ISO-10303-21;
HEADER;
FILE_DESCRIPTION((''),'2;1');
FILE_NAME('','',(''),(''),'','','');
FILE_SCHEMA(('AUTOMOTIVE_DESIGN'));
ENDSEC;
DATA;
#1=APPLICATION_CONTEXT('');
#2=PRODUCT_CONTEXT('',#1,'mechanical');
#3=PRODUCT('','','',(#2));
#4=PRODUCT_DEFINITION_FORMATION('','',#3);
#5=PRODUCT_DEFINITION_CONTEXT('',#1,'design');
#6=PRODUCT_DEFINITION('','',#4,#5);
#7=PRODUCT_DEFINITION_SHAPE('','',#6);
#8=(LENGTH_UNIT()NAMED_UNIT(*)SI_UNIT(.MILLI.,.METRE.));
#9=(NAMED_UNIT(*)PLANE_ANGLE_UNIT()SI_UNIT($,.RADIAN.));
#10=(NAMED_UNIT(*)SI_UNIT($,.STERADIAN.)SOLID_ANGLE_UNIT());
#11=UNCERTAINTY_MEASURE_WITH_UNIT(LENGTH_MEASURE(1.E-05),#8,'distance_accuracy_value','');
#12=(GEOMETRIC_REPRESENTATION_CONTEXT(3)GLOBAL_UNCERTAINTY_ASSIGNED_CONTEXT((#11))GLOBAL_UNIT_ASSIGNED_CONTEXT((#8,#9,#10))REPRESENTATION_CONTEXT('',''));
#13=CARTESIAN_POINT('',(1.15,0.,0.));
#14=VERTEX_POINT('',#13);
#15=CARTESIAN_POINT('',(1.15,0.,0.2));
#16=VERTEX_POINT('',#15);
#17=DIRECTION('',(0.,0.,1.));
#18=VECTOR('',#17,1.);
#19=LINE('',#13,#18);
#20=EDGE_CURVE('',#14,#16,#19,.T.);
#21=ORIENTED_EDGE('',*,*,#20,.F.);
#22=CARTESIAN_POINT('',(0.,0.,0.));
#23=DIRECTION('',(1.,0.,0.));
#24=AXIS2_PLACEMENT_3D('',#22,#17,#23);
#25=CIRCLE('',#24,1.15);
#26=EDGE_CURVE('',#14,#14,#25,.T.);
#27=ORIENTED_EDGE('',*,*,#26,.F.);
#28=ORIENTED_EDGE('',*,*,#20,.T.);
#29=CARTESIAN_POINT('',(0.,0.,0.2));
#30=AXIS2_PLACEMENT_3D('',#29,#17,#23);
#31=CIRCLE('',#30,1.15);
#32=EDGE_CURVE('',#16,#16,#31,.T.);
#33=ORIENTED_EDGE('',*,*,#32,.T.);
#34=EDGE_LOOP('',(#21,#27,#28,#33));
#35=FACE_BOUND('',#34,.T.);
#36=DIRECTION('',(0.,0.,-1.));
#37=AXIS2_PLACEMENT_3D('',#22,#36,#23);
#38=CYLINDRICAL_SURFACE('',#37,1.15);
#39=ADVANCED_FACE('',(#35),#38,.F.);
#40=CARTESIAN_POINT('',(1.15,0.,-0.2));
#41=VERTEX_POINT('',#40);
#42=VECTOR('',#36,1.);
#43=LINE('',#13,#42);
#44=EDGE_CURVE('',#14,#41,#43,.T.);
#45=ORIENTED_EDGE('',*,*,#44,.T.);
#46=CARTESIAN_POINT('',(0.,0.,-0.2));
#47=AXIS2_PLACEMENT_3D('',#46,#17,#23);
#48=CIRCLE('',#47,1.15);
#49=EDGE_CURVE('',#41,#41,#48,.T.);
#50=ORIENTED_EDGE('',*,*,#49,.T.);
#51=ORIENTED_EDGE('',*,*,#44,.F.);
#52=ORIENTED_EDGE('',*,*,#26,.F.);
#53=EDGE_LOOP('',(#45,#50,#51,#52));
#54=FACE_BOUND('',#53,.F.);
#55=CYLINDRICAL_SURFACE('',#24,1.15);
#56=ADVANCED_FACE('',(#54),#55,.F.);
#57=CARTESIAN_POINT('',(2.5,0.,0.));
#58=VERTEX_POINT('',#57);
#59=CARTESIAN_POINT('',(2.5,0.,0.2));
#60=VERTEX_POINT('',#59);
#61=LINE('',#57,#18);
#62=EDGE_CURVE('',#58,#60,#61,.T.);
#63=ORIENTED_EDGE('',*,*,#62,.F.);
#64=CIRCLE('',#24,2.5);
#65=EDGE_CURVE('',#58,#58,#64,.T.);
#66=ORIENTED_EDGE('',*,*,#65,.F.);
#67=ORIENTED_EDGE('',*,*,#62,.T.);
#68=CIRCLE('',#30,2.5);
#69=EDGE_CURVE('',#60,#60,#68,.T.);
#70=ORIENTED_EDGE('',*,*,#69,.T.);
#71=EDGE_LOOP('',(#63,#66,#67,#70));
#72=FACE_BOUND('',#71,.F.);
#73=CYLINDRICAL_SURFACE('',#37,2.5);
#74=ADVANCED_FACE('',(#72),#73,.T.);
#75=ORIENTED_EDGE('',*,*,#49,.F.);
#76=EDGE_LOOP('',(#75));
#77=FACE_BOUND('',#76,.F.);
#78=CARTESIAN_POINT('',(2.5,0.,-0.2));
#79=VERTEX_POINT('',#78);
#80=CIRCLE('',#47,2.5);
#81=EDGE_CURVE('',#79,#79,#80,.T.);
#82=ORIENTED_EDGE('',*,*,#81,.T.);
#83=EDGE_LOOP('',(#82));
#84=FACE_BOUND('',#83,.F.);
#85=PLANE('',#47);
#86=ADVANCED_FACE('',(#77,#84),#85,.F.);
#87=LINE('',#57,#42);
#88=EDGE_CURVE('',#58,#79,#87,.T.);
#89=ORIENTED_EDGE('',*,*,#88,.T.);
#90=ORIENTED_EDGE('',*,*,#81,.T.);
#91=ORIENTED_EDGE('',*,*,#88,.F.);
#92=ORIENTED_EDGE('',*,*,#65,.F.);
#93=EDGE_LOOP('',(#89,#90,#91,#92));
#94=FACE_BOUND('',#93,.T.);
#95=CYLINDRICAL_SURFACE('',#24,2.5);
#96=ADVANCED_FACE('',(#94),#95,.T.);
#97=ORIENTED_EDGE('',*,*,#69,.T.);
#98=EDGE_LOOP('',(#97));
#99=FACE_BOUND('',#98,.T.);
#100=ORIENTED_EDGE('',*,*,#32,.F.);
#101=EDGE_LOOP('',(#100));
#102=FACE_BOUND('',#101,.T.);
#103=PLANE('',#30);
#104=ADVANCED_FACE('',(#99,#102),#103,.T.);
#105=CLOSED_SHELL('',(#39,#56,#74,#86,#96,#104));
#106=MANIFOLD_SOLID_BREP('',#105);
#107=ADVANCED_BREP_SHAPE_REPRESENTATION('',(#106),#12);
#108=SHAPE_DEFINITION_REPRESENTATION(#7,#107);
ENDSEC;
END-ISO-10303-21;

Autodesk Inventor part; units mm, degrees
ref_plane "YZ Plane" through (0, 0, 0) normal (1, 0, 0) x (0, 1, 0)
ref_plane "XZ Plane" through (0, 0, 0) normal (0, 1, 0) x (-1, 0, 0)
ref_plane "XY Plane" through (0, 0, 0) normal (0, 0, 1) x (1, 0, 0)
sketch "Sketch1" plane through (0, 0, 0) normal (0, 0, 1) x (1, 0, 0)
  circle A0 centre (0, 0) radius 1.15
  circle A1 centre (0, 0) radius 2.5
  circle A2 centre (0, 0) radius 1 construction
  dimension "shaftDia" = 2
  dimension "d1" = 0.15
  dimension "d2" = 5
extrude "Extrusion2" add sketch "Sketch1" along normal mid plane 0.4
equation "\"d5\" = 2 * layer"
equation "\"layer\" = 0.2"
properties part number "washer"
